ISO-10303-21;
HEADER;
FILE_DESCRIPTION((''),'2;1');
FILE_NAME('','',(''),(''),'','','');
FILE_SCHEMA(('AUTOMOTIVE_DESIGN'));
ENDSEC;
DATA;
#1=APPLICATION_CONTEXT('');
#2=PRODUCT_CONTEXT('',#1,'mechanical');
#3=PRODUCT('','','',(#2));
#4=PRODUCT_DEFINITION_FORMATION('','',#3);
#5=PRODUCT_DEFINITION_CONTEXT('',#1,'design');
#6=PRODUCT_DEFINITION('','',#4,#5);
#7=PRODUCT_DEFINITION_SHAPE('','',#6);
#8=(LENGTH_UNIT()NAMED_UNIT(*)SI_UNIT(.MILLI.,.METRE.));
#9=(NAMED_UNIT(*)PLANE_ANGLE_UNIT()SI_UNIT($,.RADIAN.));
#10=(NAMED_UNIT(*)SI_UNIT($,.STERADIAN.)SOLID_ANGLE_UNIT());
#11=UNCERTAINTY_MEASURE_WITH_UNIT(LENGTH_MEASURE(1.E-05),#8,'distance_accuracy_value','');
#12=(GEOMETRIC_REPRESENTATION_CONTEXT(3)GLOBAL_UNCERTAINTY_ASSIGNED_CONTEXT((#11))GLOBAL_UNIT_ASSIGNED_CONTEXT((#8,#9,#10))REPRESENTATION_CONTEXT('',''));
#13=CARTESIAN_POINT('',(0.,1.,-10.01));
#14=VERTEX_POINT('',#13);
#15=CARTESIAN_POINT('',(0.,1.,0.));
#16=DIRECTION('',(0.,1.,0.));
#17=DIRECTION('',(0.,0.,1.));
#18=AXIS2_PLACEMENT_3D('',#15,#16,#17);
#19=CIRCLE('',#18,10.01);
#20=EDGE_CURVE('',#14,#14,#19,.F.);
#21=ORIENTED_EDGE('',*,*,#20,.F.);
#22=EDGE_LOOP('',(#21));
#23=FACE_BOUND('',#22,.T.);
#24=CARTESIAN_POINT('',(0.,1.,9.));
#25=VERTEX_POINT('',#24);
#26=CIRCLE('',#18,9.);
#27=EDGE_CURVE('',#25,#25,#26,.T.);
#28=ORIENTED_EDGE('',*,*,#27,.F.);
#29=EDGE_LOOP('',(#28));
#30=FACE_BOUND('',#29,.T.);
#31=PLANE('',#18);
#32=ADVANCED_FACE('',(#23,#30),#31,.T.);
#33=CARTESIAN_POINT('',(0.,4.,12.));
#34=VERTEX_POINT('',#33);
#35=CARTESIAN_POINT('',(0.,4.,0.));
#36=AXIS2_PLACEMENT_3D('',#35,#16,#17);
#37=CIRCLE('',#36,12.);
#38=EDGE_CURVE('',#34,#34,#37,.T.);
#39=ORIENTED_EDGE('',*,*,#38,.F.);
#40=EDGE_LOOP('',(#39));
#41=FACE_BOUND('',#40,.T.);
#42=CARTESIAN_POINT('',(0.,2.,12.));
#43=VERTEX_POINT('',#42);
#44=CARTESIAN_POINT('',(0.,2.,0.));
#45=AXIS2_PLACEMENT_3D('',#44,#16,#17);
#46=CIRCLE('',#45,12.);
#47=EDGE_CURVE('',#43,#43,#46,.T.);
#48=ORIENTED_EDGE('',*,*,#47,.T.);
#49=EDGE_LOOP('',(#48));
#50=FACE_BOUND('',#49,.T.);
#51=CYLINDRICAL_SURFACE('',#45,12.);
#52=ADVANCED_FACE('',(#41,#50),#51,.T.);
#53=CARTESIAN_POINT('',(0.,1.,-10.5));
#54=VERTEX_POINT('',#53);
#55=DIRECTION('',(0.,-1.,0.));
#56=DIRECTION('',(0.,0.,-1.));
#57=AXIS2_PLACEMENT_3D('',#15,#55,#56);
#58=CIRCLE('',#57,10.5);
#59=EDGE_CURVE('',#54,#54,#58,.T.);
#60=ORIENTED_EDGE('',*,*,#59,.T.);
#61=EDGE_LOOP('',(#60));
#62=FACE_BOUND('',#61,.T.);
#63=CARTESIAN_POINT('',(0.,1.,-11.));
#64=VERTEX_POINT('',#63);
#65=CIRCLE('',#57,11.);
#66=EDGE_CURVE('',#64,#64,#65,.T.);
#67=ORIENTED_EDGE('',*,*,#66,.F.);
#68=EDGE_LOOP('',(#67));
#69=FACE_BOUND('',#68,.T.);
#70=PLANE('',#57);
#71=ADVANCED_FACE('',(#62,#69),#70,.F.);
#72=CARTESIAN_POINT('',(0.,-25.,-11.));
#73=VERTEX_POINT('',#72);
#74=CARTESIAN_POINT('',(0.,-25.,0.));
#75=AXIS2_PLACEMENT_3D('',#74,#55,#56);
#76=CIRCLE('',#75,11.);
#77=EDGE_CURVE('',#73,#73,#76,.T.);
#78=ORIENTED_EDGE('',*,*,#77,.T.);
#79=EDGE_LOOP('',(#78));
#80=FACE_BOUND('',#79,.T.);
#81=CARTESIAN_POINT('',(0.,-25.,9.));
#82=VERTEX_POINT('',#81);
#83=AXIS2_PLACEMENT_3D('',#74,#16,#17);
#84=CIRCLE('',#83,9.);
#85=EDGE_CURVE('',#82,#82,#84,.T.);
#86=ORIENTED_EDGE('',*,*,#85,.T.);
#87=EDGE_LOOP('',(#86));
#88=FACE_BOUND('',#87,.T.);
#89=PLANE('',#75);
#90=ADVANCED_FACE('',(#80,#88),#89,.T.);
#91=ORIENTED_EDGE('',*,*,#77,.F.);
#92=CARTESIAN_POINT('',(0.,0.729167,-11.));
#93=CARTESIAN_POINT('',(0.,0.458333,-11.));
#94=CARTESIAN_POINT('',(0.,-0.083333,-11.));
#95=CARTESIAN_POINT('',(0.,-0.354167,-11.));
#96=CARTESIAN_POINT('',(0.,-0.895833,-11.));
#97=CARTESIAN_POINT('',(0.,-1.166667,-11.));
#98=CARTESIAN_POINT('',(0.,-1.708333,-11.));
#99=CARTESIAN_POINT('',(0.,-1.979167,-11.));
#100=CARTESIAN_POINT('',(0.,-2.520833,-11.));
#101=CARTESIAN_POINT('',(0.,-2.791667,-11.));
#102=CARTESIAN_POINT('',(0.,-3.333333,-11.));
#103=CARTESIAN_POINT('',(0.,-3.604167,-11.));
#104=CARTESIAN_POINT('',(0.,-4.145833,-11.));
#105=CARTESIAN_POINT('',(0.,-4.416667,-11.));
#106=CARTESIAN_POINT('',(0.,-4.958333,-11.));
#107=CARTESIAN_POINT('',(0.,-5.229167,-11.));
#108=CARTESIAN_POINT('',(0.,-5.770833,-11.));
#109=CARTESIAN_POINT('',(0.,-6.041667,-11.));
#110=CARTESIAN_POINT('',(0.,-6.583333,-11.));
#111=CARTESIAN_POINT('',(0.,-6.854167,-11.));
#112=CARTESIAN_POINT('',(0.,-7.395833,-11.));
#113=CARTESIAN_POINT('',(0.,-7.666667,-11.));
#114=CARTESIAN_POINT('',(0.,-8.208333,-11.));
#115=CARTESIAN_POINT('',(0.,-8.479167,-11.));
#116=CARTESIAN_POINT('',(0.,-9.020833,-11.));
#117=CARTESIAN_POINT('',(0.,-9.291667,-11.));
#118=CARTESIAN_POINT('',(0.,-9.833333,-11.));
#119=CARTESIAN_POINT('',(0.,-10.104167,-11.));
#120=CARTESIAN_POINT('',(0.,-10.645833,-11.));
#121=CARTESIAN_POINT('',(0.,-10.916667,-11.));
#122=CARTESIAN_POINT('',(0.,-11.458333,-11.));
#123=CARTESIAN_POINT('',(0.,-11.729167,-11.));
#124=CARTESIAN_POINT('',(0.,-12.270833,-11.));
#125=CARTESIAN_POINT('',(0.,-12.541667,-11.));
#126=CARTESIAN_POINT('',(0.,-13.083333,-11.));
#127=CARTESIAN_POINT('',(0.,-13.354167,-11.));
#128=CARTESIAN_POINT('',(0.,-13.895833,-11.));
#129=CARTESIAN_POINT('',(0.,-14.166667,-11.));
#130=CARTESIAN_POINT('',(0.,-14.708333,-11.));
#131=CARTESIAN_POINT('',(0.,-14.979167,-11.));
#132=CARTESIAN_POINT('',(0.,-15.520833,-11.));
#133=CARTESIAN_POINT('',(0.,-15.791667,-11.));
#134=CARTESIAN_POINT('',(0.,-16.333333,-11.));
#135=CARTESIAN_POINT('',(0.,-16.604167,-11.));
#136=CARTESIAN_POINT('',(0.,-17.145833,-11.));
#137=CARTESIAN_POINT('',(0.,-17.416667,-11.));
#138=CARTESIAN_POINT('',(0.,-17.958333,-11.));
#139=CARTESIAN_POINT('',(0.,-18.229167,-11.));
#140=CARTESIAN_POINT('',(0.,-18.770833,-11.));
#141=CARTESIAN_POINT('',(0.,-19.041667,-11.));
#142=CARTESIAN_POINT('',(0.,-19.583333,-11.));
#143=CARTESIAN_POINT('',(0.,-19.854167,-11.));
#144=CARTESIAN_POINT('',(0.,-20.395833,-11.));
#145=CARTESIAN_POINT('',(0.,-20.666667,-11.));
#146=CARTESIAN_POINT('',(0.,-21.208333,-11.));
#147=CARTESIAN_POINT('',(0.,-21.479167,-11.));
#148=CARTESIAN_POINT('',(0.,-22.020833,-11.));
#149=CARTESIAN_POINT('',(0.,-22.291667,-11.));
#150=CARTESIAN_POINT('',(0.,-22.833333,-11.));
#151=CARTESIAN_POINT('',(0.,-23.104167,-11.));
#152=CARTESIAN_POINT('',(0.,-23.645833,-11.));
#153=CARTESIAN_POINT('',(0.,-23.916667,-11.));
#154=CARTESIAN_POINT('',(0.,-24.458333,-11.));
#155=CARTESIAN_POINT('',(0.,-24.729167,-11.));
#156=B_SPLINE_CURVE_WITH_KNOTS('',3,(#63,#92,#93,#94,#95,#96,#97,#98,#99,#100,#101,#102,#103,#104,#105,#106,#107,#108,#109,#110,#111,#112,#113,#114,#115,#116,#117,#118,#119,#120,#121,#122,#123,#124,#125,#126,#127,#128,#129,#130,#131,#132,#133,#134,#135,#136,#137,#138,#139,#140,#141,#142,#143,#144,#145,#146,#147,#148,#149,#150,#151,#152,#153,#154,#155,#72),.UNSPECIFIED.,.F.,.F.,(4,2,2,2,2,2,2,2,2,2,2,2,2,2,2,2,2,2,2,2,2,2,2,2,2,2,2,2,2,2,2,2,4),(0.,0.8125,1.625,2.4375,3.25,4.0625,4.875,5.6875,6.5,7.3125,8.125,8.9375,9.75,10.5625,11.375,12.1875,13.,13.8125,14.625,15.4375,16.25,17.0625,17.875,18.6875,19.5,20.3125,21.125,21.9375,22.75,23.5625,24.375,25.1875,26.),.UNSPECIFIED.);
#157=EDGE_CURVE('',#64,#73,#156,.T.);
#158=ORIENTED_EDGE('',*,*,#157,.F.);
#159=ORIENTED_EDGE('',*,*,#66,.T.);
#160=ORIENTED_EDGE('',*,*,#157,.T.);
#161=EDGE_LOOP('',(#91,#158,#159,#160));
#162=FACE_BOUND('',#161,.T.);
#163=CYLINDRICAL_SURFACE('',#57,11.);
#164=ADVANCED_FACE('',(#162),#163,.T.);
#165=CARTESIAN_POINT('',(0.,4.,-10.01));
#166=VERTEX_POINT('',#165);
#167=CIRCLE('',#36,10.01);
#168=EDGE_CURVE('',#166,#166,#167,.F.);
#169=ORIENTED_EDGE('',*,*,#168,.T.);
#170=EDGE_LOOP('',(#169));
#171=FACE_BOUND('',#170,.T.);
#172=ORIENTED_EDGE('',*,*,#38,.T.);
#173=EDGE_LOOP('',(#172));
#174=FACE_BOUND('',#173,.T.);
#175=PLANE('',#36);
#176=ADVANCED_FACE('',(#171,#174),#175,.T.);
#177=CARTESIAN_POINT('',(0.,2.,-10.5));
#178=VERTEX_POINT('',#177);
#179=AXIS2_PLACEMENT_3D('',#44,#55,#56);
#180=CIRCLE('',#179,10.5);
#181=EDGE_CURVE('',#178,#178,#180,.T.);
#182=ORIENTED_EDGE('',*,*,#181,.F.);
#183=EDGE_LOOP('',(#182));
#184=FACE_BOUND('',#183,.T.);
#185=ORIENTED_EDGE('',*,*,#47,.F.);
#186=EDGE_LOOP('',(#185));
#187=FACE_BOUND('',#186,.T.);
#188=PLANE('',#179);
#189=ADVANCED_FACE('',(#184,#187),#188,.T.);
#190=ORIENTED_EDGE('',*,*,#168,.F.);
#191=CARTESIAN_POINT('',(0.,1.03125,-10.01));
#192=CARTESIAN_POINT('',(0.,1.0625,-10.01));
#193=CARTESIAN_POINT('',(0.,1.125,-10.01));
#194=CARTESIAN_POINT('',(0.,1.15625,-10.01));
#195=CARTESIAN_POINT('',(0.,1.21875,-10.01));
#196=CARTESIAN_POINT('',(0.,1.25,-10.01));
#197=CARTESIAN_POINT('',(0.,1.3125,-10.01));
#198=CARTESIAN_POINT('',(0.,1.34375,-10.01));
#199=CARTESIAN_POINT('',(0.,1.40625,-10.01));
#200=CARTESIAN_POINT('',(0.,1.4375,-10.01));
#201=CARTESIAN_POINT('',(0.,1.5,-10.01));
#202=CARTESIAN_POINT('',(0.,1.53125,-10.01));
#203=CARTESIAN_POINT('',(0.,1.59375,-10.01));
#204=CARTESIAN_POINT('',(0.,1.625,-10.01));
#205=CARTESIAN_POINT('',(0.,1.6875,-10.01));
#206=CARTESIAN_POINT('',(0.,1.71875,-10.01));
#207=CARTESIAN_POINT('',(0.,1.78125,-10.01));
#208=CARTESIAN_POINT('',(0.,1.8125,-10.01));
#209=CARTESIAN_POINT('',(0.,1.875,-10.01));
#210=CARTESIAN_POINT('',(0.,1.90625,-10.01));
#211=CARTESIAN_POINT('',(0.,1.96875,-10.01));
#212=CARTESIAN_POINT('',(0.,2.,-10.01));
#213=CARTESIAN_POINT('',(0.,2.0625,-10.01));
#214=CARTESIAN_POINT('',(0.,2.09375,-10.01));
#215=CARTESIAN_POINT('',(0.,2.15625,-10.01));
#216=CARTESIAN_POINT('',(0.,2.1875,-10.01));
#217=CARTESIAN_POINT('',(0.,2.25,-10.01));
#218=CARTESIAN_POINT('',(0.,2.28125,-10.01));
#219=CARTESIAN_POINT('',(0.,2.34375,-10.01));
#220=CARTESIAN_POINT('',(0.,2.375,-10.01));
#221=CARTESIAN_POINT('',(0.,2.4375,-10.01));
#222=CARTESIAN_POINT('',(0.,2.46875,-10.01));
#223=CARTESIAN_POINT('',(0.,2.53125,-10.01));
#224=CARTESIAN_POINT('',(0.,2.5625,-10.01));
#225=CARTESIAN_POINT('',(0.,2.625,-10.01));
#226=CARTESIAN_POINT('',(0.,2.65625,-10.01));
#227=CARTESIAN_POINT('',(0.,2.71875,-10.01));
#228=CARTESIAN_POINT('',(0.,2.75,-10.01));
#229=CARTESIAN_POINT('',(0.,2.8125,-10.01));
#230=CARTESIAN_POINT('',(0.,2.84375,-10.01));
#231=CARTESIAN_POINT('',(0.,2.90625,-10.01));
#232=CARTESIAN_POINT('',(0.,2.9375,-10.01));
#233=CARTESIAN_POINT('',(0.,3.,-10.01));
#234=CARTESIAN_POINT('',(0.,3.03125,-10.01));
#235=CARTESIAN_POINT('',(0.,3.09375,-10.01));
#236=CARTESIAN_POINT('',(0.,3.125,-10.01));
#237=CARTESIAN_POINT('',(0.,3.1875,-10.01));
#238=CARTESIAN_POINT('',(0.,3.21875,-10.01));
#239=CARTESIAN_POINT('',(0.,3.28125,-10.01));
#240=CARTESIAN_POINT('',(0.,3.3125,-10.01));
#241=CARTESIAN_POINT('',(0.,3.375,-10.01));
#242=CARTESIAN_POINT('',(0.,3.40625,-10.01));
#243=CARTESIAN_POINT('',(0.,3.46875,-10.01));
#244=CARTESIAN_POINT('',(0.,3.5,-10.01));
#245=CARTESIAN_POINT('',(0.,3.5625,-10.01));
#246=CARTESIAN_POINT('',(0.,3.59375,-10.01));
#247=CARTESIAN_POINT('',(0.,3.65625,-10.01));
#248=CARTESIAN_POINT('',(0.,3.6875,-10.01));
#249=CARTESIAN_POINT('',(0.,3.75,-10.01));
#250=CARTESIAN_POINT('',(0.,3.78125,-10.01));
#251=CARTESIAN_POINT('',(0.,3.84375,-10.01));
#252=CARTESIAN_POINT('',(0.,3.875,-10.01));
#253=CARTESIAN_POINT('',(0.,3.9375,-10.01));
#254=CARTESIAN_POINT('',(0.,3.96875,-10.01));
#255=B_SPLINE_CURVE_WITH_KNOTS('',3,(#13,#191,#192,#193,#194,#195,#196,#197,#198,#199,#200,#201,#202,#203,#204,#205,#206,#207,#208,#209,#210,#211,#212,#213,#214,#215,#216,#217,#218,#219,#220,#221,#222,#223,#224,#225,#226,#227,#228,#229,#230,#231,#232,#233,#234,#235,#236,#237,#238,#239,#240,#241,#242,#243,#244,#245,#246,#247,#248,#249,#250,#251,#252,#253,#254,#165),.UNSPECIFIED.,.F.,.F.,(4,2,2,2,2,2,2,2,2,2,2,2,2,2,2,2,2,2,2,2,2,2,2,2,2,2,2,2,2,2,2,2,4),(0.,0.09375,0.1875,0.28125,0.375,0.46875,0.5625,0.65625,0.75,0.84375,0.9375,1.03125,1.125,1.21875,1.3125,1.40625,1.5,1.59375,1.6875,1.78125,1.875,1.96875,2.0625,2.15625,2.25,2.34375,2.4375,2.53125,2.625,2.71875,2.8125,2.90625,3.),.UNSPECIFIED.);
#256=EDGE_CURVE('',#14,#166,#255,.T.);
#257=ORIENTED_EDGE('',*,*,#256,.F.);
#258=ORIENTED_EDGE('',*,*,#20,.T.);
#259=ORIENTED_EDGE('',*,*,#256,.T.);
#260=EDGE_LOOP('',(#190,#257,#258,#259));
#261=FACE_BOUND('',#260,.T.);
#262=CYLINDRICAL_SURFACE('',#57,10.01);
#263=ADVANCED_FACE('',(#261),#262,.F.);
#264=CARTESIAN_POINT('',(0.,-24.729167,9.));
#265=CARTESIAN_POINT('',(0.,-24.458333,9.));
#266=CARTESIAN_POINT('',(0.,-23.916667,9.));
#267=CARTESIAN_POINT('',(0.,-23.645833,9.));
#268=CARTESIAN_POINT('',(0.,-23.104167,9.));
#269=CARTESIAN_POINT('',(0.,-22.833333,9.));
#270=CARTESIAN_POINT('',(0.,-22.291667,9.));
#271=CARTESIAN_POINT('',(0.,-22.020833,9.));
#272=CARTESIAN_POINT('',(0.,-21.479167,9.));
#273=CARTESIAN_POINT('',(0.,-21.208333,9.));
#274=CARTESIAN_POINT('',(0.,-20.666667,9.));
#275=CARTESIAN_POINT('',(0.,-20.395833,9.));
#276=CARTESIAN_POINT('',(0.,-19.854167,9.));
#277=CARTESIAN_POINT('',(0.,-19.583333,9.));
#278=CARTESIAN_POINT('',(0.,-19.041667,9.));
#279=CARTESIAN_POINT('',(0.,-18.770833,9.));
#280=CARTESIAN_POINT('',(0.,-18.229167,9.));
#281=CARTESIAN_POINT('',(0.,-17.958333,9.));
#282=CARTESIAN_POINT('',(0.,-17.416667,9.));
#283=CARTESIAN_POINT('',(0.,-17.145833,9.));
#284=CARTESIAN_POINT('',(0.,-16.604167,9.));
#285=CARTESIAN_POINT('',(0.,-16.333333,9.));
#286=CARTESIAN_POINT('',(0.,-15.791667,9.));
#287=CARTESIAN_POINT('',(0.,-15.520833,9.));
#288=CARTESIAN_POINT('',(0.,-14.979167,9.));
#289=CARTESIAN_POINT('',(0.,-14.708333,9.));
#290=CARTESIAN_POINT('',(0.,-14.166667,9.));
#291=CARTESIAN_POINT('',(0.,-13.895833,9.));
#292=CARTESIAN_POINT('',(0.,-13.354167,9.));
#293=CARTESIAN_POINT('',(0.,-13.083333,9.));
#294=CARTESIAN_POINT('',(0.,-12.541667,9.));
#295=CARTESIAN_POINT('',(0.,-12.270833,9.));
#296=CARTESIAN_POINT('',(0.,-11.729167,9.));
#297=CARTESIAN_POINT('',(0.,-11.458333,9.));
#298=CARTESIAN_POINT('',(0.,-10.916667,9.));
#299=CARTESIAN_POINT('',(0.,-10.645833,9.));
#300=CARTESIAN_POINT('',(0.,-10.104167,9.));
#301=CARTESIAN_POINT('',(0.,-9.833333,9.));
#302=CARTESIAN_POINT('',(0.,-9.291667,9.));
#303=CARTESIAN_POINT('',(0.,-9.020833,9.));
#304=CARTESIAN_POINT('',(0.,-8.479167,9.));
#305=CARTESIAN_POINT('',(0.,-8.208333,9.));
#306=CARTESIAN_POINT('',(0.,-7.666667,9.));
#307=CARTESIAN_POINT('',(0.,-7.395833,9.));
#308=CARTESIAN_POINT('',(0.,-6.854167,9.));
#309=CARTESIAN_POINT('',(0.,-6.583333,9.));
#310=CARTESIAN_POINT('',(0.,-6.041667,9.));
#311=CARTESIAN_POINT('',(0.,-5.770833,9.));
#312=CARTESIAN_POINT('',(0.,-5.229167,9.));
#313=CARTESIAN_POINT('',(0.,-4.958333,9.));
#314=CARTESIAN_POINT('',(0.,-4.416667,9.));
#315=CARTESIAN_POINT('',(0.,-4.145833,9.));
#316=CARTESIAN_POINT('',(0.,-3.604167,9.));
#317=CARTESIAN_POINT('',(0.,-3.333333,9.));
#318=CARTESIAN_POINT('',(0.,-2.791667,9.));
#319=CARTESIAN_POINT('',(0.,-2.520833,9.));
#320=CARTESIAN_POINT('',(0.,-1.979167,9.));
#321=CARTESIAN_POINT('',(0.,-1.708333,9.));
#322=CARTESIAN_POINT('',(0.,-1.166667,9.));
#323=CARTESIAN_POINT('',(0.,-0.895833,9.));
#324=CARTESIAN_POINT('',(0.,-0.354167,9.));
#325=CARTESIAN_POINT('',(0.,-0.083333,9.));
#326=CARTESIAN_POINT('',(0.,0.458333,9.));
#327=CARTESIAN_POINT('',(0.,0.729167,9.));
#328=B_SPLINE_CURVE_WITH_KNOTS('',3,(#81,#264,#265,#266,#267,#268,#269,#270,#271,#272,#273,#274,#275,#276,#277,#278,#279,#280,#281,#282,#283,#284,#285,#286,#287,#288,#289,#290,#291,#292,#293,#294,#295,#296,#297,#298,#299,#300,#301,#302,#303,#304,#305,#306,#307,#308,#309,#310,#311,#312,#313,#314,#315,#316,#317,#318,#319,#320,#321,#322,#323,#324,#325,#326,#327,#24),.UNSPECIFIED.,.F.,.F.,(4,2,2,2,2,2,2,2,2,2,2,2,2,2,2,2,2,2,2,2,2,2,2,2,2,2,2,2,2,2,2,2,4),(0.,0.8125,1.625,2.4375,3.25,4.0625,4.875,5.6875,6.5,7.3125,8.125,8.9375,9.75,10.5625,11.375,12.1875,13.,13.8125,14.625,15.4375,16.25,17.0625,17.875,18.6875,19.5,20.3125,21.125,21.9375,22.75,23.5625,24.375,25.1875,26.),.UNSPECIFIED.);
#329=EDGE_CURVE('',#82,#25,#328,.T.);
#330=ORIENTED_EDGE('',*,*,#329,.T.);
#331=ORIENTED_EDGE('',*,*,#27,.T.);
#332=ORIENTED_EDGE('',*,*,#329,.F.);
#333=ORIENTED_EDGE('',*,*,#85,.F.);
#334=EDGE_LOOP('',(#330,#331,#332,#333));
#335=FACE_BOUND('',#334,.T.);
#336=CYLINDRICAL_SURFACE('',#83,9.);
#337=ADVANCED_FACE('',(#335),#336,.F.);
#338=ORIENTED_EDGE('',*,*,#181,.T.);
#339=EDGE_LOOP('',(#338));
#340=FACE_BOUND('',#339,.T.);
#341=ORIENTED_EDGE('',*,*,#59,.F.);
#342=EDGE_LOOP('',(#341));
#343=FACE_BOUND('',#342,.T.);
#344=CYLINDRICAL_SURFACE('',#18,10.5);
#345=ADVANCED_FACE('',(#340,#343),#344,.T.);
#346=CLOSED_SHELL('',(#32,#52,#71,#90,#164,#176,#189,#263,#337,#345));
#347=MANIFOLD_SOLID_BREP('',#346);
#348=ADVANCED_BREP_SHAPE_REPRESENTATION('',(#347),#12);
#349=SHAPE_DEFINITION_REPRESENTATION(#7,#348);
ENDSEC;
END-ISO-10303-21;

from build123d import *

# Parameters (mm, degrees)
SKETCH_2_R           = 10.01
SKETCH_2_R_2         = 9
EXTRUDE_2_DEPTH      = 25
EXTRUDE_START        = 2
SKETCH_3_R           = 10.01
EXTRUDE_3_DEPTH      = 2
SKETCH_4_R           = 9
CUT_EXTRUDE_1_DEPTH  = 1
SKETCH_6_R           = 8
CUT_EXTRUDE_3_DEPTH  = 3
SKETCH_7_R           = 11
SKETCH_7_R_2         = 10
EXTRUDE_4_DEPTH      = 4
SKETCH_8_R           = 9
SKETCH_8_R_2         = 8
EXTRUDE_5_DEPTH      = 25
SKETCH_10_R          = 10.01
SKETCH_10_R_2        = 9.5
CUT_EXTRUDE_5_DEPTH  = 1
CUT_EXTRUDE_START    = 10
SKETCH_11_R          = 10.01
CUT_EXTRUDE_6_DEPTH  = 10
SKETCH_12_R          = 11
SKETCH_12_R_2        = 10.01
EXTRUDE_6_DEPTH      = 26
SKETCH_13_R          = 9
CUT_EXTRUDE_7_DEPTH  = 26
SKETCH_14_R          = 10.005206388
SKETCH_14_R_2        = 9.5
EXTRUDE_7_DEPTH      = 26
SKETCH_16_R          = 11
SKETCH_16_R_2        = 10.5
CUT_EXTRUDE_12_DEPTH = 1
SKETCH_17_R          = 13.732639959
CUT_EXTRUDE_13_DEPTH = 1
SKETCH_19_R          = 10.229377856
SKETCH_19_R_2        = 10.005206388
EXTRUDE_10_DEPTH     = 10
SKETCH_20_R          = 12
SKETCH_20_R_2        = 11
EXTRUDE_11_DEPTH     = 2


with BuildPart() as part:
    # Эскиз2 → Бобышка-Вытянуть2 (new body)
    with BuildSketch(Plane.XZ):
        with Locations(Location((0, 0, 0), (0, 0, 270))):
            Circle(SKETCH_2_R)
        with Locations(Location((0, 0, 0), (0, 0, 270))):
            Circle(SKETCH_2_R_2, mode=Mode.SUBTRACT)
    extrude(amount=EXTRUDE_2_DEPTH)

    # Эскиз3 → Бобышка-Вытянуть3 (add)
    with BuildSketch(Plane(origin=(0, 0, 0), x_dir=(1, 0, 0), z_dir=(0, 1, 0)).offset(EXTRUDE_START)):
        with Locations(Location((0, 0, 0), (0, 0, 270))):
            Circle(SKETCH_3_R)
    extrude(amount=-EXTRUDE_3_DEPTH)

    # Эскиз4 → Вырез-Вытянуть1 (cut)
    with BuildSketch(Plane(origin=(0, 2, 0), x_dir=(1, 0, 0), z_dir=(0, 1, 0))):
        with Locations(Location((0, 0, 0), (0, 0, 90))):
            Circle(SKETCH_4_R)
    extrude(amount=-CUT_EXTRUDE_1_DEPTH, mode=Mode.SUBTRACT)

    # Эскиз6 → Вырез-Вытянуть3 (cut)
    with BuildSketch(Plane(origin=(0, 1, 0), x_dir=(1, 0, 0), z_dir=(0, 1, 0))):
        with Locations(Location((0, 0, 0), (0, 0, 270))):
            Circle(SKETCH_6_R)
    extrude(amount=-CUT_EXTRUDE_3_DEPTH, mode=Mode.SUBTRACT)

    # Эскиз7 → Бобышка-Вытянуть4 (add)
    with BuildSketch(Plane(origin=(0, 1, 0), x_dir=(1, 0, 0), z_dir=(0, 1, 0))):
        with Locations(Location((0, 0, 0), (0, 0, 270))):
            Circle(SKETCH_7_R)
        with Locations(Location((0, 0, 0), (0, 0, 270))):
            Circle(SKETCH_7_R_2, mode=Mode.SUBTRACT)
    extrude(amount=EXTRUDE_4_DEPTH)

    # Эскиз8 → Бобышка-Вытянуть5 (add)
    with BuildSketch(Plane.XZ):
        with Locations(Location((0, 0, 0), (0, 0, 90))):
            Circle(SKETCH_8_R)
        with Locations(Location((0, 0, 0), (0, 0, 90))):
            Circle(SKETCH_8_R_2, mode=Mode.SUBTRACT)
    extrude(amount=EXTRUDE_5_DEPTH)

    # Эскиз10 → Вырез-Вытянуть5 (cut)
    with BuildSketch(Plane.XZ.offset(-1)):
        with Locations(Location((0, 0, 0), (0, 0, 270))):
            Circle(SKETCH_10_R)
        with Locations(Location((0, 0, 0), (0, 0, 270))):
            Circle(SKETCH_10_R_2, mode=Mode.SUBTRACT)
    extrude(amount=CUT_EXTRUDE_5_DEPTH, mode=Mode.SUBTRACT)

    # Эскиз11 → Вырез-Вытянуть6 (cut)
    with BuildSketch(Plane(origin=(0, 1, 0), x_dir=(1, 0, 0), z_dir=(0, 1, 0)).offset(CUT_EXTRUDE_START)):
        with Locations(Location((0, 0, 0), (0, 0, 90))):
            Circle(SKETCH_11_R)
    extrude(amount=-CUT_EXTRUDE_6_DEPTH, mode=Mode.SUBTRACT)


with BuildPart() as cut_extrude_6_piece_1:
    # of the separate pieces the step leaves, piece 1, a body of its own (cut_extrude_6_pieces)
    add(part.part.solids().sort_by_distance((0, 0, -10.01))[0])



with BuildPart() as cut_extrude_6_piece_2:
    # of the separate pieces the step leaves, piece 2, a body of its own (cut_extrude_6_pieces)
    add(part.part.solids().sort_by_distance((0, 1, 11))[0])


with BuildPart() as cut_extrude_6_piece_1_1:
    add(cut_extrude_6_piece_1.part)

    add(cut_extrude_6_piece_2.part)  # Бобышка-Вытянуть6 merges Вырез-Вытянуть6 piece 2
    # Эскиз12 → Бобышка-Вытянуть6 (add)
    with BuildSketch(Plane.XZ.offset(25)):
        with Locations(Location((0, 0, 0), (0, 0, 270))):
            Circle(SKETCH_12_R)
        with Locations(Location((0, 0, 0), (0, 0, 270))):
            Circle(SKETCH_12_R_2, mode=Mode.SUBTRACT)
    extrude(amount=-EXTRUDE_6_DEPTH)

    # Эскиз13 → Вырез-Вытянуть7 (cut)
    with BuildSketch(Plane(origin=(0, 1, 0), x_dir=(1, 0, 0), z_dir=(0, 1, 0))):
        with Locations(Location((0, 0, 0), (0, 0, 270))):
            Circle(SKETCH_13_R)
    extrude(amount=-CUT_EXTRUDE_7_DEPTH, mode=Mode.SUBTRACT)

    # Эскиз14 → Бобышка-Вытянуть7 (add)
    with BuildSketch(Plane(origin=(0, 1, 0), x_dir=(1, 0, 0), z_dir=(0, 1, 0))):
        with Locations(Location((0, 0, 0), (0, 0, 270))):
            Circle(SKETCH_14_R)
        Circle(SKETCH_14_R_2, mode=Mode.SUBTRACT)
    extrude(amount=-EXTRUDE_7_DEPTH)

    # Эскиз16 → Вырез-Вытянуть12 (cut)
    with BuildSketch(Plane.XZ.offset(-2)):
        with Locations(Location((0, 0, 0), (0, 0, 270))):
            Circle(SKETCH_16_R)
        with Locations(Location((0, 0, 0), (0, 0, 270))):
            Circle(SKETCH_16_R_2, mode=Mode.SUBTRACT)
    extrude(amount=CUT_EXTRUDE_12_DEPTH, mode=Mode.SUBTRACT)

    # Эскиз17 → Вырез-Вытянуть13 (cut)
    with BuildSketch(Plane(origin=(0, 5, 0), x_dir=(1, 0, 0), z_dir=(0, 1, 0))):
        Circle(SKETCH_17_R)
    extrude(amount=-CUT_EXTRUDE_13_DEPTH, mode=Mode.SUBTRACT)

    # Эскиз19 → Бобышка-Вытянуть10 (add)
    with BuildSketch(Plane(origin=(0, 1, 0), x_dir=(1, 0, 0), z_dir=(0, 1, 0))):
        Circle(SKETCH_19_R)
        Circle(SKETCH_19_R_2, mode=Mode.SUBTRACT)
    extrude(amount=-EXTRUDE_10_DEPTH)

    # Эскиз20 → Бобышка-Вытянуть11 (add)
    with BuildSketch(Plane(origin=(0, 4, 0), x_dir=(1, 0, 0), z_dir=(0, 1, 0))):
        with Locations(Location((0, 0, 0), (0, 0, 270))):
            Circle(SKETCH_20_R)
        with Locations(Location((0, 0, 0), (0, 0, 90))):
            Circle(SKETCH_20_R_2, mode=Mode.SUBTRACT)
    extrude(amount=-EXTRUDE_11_DEPTH)


solid = cut_extrude_6_piece_1_1.part
